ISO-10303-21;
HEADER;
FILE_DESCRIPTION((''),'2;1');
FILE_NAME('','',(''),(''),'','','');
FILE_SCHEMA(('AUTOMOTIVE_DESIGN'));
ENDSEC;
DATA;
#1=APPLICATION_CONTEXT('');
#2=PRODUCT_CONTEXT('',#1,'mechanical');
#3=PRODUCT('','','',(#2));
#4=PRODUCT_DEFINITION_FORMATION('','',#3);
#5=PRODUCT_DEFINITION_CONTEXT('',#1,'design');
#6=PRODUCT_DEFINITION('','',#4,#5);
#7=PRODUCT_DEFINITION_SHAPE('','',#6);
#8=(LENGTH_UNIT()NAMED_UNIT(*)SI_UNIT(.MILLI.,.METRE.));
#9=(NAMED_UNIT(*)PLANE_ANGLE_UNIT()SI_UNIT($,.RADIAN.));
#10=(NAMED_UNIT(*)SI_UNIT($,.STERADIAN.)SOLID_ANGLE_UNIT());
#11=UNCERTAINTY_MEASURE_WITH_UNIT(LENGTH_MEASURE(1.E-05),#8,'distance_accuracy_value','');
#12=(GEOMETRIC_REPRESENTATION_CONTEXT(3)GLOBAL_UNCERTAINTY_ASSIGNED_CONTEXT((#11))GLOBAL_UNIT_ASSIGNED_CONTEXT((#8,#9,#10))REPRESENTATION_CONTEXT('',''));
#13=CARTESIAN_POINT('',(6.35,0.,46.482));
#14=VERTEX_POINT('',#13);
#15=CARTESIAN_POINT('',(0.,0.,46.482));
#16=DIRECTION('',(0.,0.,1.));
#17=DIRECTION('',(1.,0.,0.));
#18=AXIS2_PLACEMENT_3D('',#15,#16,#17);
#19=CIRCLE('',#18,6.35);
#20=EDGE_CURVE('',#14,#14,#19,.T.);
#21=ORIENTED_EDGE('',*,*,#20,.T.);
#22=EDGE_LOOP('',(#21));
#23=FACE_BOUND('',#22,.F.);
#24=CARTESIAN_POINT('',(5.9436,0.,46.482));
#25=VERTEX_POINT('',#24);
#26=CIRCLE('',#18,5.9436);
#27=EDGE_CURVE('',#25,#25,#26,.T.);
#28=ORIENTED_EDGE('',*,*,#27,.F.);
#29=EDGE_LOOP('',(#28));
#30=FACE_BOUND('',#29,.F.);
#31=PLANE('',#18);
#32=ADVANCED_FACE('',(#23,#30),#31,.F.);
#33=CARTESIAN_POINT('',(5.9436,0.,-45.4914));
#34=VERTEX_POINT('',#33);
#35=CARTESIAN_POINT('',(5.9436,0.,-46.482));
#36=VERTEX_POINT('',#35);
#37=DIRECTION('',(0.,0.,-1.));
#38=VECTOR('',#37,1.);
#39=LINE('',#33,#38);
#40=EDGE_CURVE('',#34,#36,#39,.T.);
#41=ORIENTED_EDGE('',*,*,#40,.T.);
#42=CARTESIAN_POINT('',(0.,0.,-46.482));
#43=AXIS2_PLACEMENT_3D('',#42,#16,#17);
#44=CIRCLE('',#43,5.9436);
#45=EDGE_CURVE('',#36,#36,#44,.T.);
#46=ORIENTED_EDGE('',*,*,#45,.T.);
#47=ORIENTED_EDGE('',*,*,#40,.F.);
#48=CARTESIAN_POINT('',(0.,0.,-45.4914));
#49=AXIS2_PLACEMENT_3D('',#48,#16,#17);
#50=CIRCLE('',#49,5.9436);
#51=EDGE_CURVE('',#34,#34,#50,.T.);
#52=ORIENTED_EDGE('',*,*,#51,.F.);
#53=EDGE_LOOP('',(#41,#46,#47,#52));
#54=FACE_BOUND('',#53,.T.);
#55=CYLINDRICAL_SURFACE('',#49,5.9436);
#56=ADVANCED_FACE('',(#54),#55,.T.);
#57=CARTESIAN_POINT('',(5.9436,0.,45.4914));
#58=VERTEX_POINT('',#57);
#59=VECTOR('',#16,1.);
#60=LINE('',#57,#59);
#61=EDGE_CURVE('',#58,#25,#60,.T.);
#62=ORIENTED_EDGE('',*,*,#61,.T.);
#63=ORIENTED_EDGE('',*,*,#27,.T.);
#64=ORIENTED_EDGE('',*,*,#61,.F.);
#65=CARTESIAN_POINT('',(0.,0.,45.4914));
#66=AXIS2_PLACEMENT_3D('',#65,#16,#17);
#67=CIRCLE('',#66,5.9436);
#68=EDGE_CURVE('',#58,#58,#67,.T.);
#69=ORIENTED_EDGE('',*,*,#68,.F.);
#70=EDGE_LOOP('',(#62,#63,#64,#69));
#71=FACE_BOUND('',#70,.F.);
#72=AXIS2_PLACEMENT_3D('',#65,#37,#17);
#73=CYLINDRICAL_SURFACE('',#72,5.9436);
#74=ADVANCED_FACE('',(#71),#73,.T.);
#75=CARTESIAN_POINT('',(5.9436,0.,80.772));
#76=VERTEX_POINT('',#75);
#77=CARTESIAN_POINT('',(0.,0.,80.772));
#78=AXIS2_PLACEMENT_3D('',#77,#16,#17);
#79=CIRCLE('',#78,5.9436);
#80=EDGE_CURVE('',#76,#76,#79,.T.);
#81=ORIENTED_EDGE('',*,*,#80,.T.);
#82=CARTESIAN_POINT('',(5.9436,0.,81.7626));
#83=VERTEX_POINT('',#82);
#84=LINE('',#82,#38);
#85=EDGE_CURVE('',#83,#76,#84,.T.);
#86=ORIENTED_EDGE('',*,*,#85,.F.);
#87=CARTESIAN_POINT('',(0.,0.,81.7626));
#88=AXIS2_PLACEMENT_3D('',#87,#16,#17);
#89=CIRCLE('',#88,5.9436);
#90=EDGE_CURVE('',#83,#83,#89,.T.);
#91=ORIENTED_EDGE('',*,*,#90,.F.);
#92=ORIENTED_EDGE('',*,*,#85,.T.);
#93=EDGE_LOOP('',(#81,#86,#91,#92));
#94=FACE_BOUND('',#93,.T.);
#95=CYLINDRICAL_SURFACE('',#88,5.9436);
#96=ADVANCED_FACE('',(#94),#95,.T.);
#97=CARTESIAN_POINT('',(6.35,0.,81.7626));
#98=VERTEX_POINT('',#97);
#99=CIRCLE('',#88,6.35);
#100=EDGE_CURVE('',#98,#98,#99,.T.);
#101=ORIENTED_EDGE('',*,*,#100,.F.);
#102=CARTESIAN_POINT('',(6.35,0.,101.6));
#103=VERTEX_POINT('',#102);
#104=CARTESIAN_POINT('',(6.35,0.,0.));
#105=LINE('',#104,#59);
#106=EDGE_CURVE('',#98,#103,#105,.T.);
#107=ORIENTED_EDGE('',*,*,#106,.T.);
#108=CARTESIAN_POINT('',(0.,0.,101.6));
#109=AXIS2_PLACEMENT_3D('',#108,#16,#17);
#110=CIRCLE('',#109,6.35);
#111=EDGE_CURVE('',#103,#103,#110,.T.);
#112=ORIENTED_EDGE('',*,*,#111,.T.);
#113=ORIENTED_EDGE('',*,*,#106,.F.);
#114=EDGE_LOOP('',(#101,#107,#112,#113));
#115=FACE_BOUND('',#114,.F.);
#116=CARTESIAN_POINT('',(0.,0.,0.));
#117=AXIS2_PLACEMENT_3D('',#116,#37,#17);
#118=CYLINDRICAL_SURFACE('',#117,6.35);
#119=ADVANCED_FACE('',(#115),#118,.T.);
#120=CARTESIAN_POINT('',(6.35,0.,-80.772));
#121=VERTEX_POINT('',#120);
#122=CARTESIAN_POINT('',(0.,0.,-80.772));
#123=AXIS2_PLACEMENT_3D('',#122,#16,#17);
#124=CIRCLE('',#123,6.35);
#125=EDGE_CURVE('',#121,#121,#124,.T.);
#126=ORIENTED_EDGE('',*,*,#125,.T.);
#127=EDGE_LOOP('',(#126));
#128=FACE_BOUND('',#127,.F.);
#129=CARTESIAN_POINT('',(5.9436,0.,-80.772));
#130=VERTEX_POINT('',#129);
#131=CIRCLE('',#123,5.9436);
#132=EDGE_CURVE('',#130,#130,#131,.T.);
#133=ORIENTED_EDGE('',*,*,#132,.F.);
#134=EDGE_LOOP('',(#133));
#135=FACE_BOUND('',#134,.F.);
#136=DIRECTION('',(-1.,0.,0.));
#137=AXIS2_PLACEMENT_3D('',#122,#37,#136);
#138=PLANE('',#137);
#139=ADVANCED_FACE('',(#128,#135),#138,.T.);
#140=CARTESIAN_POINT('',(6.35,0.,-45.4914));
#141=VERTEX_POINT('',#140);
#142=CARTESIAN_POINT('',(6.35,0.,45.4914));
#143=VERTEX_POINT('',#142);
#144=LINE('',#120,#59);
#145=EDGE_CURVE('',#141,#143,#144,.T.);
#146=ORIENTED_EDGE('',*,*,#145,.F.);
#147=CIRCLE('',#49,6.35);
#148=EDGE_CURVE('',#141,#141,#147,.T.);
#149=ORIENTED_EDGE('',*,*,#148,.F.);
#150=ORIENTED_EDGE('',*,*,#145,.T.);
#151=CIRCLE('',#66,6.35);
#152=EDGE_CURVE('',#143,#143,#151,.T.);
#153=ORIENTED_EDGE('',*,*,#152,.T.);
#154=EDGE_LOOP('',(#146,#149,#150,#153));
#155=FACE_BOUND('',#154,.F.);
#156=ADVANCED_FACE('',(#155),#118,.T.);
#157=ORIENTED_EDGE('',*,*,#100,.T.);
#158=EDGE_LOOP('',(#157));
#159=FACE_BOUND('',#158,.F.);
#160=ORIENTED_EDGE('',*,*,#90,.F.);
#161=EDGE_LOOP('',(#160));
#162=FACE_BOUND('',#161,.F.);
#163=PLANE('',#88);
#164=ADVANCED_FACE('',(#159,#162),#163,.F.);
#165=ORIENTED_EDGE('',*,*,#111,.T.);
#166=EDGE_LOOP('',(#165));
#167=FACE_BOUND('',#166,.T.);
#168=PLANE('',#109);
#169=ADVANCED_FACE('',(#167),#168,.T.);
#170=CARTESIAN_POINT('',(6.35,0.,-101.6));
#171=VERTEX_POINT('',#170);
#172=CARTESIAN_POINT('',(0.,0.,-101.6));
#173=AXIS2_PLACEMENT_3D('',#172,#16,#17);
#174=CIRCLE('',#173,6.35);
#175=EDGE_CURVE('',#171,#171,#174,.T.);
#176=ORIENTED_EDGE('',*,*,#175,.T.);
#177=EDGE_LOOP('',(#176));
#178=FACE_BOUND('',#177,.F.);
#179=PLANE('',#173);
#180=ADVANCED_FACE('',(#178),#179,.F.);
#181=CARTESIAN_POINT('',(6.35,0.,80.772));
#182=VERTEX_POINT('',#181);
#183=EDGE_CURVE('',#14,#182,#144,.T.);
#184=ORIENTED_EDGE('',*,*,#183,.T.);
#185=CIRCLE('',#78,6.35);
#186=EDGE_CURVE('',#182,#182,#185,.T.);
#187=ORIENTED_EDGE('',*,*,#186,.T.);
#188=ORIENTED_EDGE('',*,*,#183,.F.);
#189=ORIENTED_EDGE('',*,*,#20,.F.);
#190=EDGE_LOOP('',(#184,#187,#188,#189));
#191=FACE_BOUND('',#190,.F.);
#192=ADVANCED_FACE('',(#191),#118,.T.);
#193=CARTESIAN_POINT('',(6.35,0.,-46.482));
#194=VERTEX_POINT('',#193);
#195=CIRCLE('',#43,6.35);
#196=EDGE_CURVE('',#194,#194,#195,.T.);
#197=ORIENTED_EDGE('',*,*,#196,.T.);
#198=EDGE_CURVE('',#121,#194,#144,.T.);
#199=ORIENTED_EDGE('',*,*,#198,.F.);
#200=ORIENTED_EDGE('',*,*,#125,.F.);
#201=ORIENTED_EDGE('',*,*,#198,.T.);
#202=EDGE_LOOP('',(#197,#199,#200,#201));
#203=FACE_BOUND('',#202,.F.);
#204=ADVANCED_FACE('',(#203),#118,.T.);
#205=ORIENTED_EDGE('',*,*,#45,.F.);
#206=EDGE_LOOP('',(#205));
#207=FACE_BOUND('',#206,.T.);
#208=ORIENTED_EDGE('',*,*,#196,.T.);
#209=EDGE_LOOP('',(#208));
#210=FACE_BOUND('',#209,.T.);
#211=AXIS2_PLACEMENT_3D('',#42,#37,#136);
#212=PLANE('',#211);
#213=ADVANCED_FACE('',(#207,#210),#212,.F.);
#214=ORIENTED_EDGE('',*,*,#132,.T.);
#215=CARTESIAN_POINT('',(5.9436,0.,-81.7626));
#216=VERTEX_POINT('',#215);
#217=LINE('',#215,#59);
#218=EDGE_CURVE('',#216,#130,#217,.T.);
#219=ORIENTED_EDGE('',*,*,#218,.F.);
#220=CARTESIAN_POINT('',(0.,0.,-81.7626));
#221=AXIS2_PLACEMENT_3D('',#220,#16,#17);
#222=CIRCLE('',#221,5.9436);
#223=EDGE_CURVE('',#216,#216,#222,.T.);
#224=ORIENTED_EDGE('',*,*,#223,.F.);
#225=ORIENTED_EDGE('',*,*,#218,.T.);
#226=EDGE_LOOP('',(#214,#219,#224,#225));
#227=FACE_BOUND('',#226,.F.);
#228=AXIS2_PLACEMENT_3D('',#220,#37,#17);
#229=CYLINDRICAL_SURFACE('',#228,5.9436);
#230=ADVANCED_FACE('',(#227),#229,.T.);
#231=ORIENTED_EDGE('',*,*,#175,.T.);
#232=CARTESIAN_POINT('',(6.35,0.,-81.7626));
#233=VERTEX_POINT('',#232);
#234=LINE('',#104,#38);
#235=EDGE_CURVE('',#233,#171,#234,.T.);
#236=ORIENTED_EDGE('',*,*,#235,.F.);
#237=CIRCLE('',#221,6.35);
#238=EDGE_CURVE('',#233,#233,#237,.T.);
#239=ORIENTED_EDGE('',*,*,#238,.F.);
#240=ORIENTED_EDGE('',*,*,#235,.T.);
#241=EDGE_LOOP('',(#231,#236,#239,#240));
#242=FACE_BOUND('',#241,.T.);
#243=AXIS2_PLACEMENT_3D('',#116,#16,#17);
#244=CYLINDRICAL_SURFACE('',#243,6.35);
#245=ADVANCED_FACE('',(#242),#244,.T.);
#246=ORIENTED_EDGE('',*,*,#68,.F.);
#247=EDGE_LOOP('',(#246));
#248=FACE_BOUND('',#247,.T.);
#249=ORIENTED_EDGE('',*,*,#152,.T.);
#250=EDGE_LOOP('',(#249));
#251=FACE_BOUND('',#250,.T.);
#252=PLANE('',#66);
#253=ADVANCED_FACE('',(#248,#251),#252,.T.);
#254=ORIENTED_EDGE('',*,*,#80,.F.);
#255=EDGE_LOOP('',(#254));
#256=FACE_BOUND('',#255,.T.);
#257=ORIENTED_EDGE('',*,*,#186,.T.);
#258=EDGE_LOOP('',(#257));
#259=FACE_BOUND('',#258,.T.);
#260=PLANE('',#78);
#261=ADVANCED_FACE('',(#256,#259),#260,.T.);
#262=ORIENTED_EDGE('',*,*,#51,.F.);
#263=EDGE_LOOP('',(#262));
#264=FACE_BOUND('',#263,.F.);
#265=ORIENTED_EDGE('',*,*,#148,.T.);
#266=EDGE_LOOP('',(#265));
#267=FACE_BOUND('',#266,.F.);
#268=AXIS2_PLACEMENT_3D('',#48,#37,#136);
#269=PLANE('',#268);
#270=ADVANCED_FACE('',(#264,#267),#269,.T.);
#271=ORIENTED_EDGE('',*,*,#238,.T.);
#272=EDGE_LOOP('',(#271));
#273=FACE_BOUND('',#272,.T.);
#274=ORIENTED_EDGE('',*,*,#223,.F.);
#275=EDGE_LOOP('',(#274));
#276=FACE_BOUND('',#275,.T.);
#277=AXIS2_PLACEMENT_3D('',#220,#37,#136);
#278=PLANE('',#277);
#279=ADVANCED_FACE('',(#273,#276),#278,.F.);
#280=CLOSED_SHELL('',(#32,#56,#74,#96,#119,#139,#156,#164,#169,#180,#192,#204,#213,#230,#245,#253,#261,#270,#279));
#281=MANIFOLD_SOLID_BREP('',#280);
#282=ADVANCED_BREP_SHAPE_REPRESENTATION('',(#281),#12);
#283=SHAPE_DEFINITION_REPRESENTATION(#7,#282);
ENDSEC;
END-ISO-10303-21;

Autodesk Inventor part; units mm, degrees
ref_plane "YZ Plane" through (0, 0, 0) normal (1, 0, 0) x (0, 1, 0)
ref_plane "XZ Plane" through (0, 0, 0) normal (0, 1, 0) x (-1, 0, 0)
sketch "Sketch1" plane through (0, 0, 0) normal (0, 0, 1) x (1, 0, 0)
  circle A0 centre (0, 0) radius 6.35
  dimension "d0" = 12.7
extrude "Extrusion1" add sketch "Sketch1" along normal mid plane 203.2
ref_plane "Work Plane1" through (0, 0, 81.7626) normal (0, 0, 1) x (1, 0, 0)
sketch "Sketch2" plane through (0, 0, 81.7626) normal (0, 0, 1) x (1, 0, 0)
  circle A0 centre (0, 0) radius 6.35 projected
  circle A1 centre (0, 0) radius 6.35
  circle A2 centre (0, 0) radius 5.9436
  dimension "d4" = 12.7
  dimension "d5" = 11.8872
extrude "Extrusion2" cut sketch "Sketch2" against normal blind 0.9906
mirror "Mirror1" about plane through (0, 0, 0) normal (0, 0, 1) of "Extrusion2"
ref_plane "Work Plane3" through (0, 0, 45.4914) normal (0, 0, 1) x (1, 0, 0)
sketch "Sketch3" plane through (0, 0, 45.4914) normal (0, 0, 1) x (1, 0, 0)
  circle A0 centre (0, 0) radius 6.35 projected
  circle A1 centre (0, 0) radius 6.35
  circle A2 centre (0, 0) radius 5.9436
  dimension "d9" = 12.7
  dimension "d10" = 11.8872
extrude "Extrusion3" cut sketch "Sketch3" along normal blind 0.9906
mirror "Mirror2" about plane through (0, 0, 0) normal (0, 0, 1) of "Extrusion3"
ref_plane "Work Plane2" through (0, 0, -81.7626) normal (0, 0, 1) x (1, 0, 0)
ref_plane "Work Plane4" through (0, 0, -45.4914) normal (0, 0, 1) x (1, 0, 0)
properties part number "Boom to Stick .5in. Pin" material "Aluminum 6061"
